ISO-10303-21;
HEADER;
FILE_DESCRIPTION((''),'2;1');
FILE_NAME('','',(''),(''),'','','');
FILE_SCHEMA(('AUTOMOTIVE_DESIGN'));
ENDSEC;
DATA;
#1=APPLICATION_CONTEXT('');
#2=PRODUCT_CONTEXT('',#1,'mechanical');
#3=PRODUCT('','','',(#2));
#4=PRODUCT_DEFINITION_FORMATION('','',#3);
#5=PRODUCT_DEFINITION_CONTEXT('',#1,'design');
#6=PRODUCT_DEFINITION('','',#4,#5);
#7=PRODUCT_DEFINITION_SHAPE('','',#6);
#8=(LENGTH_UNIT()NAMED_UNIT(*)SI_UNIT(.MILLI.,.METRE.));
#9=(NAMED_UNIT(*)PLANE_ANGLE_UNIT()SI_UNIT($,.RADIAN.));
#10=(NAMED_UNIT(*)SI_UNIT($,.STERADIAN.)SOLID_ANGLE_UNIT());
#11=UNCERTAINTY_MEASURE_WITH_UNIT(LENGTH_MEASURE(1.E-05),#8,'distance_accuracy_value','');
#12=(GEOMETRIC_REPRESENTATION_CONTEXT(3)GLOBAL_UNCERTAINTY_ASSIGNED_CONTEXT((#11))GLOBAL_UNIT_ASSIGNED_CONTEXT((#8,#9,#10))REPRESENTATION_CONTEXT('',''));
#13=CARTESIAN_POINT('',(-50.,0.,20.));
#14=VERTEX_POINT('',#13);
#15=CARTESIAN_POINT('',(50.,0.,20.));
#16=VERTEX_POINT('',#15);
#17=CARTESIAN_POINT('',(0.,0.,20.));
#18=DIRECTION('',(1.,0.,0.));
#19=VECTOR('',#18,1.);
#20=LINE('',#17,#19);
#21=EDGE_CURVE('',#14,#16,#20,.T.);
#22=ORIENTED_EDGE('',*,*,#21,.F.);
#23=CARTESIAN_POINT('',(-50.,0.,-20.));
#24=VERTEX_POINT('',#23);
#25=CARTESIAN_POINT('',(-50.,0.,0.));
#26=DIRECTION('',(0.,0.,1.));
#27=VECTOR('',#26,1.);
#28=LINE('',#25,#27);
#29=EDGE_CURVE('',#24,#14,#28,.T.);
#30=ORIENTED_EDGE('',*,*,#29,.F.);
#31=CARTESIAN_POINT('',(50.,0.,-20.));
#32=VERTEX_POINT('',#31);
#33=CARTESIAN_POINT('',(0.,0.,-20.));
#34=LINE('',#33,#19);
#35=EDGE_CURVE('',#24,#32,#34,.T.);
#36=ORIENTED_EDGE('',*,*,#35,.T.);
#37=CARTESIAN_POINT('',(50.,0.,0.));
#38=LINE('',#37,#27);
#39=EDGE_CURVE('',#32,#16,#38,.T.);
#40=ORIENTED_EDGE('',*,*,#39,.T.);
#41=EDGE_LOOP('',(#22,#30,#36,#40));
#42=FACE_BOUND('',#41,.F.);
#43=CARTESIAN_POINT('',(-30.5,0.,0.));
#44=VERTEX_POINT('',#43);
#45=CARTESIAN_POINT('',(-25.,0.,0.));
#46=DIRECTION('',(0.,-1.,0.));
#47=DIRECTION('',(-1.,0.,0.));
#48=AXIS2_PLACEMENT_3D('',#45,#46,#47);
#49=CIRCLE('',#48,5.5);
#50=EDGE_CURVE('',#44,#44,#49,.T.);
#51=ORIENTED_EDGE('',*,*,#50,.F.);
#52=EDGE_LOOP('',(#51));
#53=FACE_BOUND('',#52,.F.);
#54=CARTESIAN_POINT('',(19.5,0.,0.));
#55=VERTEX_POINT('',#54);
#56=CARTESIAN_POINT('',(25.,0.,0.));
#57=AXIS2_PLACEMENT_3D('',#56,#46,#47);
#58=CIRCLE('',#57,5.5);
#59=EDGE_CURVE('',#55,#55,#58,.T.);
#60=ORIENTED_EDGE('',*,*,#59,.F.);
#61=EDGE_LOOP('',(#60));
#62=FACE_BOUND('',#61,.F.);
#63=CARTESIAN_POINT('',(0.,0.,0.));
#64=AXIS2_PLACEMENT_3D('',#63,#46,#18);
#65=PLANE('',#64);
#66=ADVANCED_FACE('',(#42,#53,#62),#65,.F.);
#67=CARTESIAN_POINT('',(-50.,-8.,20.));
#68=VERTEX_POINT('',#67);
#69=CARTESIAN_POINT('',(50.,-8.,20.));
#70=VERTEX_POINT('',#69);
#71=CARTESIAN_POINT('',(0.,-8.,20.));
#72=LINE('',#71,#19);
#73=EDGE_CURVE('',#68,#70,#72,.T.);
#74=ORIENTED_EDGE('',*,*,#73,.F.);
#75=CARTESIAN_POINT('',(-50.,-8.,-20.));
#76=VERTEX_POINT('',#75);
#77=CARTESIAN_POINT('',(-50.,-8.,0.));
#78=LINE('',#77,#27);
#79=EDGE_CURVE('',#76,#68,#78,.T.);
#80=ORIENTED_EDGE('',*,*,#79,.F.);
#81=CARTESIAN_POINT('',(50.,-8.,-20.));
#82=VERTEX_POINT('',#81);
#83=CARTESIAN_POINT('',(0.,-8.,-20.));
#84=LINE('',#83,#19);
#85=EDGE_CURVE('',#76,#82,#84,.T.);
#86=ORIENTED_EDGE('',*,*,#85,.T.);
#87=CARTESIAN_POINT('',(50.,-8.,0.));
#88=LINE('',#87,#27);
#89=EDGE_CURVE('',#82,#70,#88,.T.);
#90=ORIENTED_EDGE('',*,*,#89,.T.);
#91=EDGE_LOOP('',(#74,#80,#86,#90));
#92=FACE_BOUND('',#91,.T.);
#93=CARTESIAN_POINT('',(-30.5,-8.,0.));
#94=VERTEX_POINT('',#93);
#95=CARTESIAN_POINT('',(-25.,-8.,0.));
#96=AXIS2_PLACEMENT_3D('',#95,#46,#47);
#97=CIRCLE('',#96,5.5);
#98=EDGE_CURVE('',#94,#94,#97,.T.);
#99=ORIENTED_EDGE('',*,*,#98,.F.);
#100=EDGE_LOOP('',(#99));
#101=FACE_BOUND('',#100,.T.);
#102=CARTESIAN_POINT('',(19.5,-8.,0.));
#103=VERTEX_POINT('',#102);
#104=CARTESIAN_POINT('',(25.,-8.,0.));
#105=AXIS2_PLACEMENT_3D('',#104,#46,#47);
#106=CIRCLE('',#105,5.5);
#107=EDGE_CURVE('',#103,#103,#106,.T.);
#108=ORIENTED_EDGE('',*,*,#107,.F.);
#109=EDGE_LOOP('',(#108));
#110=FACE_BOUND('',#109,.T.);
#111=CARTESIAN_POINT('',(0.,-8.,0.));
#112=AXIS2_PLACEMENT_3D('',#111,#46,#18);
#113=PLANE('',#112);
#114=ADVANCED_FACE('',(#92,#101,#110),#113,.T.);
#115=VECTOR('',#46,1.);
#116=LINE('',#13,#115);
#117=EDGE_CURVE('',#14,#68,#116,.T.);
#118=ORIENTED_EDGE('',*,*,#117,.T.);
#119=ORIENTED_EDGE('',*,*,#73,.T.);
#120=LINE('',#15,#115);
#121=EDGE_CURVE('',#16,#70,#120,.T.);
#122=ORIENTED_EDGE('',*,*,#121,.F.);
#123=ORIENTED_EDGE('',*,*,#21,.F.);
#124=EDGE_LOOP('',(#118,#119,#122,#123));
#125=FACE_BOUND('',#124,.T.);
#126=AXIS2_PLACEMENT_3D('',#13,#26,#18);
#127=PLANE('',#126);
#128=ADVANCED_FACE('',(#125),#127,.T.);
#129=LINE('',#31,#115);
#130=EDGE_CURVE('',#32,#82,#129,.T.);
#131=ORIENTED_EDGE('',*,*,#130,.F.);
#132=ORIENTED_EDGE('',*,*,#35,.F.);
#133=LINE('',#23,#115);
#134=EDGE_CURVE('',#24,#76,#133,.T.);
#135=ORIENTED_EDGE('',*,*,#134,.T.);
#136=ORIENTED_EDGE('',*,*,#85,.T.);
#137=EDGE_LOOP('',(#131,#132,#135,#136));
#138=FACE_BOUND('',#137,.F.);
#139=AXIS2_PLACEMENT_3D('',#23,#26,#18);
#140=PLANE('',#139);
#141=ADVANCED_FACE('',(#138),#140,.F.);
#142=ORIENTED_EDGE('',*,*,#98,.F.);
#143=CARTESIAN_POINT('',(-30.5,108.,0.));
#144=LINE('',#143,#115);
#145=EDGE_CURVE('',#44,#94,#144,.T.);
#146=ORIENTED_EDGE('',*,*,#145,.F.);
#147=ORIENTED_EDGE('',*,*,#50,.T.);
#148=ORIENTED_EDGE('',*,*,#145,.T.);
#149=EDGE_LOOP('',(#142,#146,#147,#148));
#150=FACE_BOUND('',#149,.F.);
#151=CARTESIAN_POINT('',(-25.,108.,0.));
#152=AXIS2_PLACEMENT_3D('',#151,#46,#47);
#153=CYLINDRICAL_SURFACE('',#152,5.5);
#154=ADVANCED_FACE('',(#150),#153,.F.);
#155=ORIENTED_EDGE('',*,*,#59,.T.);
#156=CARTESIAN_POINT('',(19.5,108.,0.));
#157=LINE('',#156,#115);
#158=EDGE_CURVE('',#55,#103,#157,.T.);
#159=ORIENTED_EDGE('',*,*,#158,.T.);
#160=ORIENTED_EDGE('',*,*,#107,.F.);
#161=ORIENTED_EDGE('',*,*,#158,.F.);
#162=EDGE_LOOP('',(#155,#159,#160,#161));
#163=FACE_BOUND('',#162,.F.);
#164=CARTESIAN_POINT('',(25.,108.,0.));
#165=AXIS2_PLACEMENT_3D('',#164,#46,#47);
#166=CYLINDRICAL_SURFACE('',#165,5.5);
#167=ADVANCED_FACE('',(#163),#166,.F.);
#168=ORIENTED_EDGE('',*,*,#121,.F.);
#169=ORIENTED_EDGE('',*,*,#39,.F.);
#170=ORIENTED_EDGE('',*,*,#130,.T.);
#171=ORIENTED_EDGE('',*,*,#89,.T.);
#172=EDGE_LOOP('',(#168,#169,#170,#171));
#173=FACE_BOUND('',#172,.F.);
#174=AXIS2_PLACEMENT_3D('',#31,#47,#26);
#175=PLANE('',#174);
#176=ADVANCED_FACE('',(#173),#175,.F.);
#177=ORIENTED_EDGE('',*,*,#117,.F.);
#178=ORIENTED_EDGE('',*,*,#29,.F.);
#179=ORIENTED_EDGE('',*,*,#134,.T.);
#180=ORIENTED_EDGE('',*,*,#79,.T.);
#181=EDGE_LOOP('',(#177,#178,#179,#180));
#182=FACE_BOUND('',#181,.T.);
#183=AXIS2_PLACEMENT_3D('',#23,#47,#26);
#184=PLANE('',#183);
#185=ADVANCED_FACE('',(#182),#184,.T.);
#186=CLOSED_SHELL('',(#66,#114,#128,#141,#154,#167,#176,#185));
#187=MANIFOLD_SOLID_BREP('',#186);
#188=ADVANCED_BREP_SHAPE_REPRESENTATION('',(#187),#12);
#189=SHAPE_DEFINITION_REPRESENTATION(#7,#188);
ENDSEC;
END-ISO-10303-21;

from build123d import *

# Parameters (mm, degrees)
F0_W     = 100
F0_H     = 40
F0_R     = 5
F1_DEPTH = 8
F2_D     = 11


with BuildPart() as f1:
    # F0 (on Front) → F1 (new body)
    with BuildSketch(Plane.XZ):
        Rectangle(F0_W, F0_H)
        with Locations((-25, 0)):
            Circle(F0_R, mode=Mode.SUBTRACT)
        with Locations((25, 0)):
            Circle(F0_R, mode=Mode.SUBTRACT)
        with Locations((-25, 0)):
            Circle(F0_R)
        with Locations((25, 0)):
            Circle(F0_R)
    extrude(amount=F1_DEPTH)

    # F2 (through all)
    with Locations(Plane(origin=(0, 0, 0), x_dir=(1, 0, 0), z_dir=(0, 1, 0))):
        with Locations((-25, 0), (25, 0)):
            Hole(F2_D / 2)


solid = f1.part
